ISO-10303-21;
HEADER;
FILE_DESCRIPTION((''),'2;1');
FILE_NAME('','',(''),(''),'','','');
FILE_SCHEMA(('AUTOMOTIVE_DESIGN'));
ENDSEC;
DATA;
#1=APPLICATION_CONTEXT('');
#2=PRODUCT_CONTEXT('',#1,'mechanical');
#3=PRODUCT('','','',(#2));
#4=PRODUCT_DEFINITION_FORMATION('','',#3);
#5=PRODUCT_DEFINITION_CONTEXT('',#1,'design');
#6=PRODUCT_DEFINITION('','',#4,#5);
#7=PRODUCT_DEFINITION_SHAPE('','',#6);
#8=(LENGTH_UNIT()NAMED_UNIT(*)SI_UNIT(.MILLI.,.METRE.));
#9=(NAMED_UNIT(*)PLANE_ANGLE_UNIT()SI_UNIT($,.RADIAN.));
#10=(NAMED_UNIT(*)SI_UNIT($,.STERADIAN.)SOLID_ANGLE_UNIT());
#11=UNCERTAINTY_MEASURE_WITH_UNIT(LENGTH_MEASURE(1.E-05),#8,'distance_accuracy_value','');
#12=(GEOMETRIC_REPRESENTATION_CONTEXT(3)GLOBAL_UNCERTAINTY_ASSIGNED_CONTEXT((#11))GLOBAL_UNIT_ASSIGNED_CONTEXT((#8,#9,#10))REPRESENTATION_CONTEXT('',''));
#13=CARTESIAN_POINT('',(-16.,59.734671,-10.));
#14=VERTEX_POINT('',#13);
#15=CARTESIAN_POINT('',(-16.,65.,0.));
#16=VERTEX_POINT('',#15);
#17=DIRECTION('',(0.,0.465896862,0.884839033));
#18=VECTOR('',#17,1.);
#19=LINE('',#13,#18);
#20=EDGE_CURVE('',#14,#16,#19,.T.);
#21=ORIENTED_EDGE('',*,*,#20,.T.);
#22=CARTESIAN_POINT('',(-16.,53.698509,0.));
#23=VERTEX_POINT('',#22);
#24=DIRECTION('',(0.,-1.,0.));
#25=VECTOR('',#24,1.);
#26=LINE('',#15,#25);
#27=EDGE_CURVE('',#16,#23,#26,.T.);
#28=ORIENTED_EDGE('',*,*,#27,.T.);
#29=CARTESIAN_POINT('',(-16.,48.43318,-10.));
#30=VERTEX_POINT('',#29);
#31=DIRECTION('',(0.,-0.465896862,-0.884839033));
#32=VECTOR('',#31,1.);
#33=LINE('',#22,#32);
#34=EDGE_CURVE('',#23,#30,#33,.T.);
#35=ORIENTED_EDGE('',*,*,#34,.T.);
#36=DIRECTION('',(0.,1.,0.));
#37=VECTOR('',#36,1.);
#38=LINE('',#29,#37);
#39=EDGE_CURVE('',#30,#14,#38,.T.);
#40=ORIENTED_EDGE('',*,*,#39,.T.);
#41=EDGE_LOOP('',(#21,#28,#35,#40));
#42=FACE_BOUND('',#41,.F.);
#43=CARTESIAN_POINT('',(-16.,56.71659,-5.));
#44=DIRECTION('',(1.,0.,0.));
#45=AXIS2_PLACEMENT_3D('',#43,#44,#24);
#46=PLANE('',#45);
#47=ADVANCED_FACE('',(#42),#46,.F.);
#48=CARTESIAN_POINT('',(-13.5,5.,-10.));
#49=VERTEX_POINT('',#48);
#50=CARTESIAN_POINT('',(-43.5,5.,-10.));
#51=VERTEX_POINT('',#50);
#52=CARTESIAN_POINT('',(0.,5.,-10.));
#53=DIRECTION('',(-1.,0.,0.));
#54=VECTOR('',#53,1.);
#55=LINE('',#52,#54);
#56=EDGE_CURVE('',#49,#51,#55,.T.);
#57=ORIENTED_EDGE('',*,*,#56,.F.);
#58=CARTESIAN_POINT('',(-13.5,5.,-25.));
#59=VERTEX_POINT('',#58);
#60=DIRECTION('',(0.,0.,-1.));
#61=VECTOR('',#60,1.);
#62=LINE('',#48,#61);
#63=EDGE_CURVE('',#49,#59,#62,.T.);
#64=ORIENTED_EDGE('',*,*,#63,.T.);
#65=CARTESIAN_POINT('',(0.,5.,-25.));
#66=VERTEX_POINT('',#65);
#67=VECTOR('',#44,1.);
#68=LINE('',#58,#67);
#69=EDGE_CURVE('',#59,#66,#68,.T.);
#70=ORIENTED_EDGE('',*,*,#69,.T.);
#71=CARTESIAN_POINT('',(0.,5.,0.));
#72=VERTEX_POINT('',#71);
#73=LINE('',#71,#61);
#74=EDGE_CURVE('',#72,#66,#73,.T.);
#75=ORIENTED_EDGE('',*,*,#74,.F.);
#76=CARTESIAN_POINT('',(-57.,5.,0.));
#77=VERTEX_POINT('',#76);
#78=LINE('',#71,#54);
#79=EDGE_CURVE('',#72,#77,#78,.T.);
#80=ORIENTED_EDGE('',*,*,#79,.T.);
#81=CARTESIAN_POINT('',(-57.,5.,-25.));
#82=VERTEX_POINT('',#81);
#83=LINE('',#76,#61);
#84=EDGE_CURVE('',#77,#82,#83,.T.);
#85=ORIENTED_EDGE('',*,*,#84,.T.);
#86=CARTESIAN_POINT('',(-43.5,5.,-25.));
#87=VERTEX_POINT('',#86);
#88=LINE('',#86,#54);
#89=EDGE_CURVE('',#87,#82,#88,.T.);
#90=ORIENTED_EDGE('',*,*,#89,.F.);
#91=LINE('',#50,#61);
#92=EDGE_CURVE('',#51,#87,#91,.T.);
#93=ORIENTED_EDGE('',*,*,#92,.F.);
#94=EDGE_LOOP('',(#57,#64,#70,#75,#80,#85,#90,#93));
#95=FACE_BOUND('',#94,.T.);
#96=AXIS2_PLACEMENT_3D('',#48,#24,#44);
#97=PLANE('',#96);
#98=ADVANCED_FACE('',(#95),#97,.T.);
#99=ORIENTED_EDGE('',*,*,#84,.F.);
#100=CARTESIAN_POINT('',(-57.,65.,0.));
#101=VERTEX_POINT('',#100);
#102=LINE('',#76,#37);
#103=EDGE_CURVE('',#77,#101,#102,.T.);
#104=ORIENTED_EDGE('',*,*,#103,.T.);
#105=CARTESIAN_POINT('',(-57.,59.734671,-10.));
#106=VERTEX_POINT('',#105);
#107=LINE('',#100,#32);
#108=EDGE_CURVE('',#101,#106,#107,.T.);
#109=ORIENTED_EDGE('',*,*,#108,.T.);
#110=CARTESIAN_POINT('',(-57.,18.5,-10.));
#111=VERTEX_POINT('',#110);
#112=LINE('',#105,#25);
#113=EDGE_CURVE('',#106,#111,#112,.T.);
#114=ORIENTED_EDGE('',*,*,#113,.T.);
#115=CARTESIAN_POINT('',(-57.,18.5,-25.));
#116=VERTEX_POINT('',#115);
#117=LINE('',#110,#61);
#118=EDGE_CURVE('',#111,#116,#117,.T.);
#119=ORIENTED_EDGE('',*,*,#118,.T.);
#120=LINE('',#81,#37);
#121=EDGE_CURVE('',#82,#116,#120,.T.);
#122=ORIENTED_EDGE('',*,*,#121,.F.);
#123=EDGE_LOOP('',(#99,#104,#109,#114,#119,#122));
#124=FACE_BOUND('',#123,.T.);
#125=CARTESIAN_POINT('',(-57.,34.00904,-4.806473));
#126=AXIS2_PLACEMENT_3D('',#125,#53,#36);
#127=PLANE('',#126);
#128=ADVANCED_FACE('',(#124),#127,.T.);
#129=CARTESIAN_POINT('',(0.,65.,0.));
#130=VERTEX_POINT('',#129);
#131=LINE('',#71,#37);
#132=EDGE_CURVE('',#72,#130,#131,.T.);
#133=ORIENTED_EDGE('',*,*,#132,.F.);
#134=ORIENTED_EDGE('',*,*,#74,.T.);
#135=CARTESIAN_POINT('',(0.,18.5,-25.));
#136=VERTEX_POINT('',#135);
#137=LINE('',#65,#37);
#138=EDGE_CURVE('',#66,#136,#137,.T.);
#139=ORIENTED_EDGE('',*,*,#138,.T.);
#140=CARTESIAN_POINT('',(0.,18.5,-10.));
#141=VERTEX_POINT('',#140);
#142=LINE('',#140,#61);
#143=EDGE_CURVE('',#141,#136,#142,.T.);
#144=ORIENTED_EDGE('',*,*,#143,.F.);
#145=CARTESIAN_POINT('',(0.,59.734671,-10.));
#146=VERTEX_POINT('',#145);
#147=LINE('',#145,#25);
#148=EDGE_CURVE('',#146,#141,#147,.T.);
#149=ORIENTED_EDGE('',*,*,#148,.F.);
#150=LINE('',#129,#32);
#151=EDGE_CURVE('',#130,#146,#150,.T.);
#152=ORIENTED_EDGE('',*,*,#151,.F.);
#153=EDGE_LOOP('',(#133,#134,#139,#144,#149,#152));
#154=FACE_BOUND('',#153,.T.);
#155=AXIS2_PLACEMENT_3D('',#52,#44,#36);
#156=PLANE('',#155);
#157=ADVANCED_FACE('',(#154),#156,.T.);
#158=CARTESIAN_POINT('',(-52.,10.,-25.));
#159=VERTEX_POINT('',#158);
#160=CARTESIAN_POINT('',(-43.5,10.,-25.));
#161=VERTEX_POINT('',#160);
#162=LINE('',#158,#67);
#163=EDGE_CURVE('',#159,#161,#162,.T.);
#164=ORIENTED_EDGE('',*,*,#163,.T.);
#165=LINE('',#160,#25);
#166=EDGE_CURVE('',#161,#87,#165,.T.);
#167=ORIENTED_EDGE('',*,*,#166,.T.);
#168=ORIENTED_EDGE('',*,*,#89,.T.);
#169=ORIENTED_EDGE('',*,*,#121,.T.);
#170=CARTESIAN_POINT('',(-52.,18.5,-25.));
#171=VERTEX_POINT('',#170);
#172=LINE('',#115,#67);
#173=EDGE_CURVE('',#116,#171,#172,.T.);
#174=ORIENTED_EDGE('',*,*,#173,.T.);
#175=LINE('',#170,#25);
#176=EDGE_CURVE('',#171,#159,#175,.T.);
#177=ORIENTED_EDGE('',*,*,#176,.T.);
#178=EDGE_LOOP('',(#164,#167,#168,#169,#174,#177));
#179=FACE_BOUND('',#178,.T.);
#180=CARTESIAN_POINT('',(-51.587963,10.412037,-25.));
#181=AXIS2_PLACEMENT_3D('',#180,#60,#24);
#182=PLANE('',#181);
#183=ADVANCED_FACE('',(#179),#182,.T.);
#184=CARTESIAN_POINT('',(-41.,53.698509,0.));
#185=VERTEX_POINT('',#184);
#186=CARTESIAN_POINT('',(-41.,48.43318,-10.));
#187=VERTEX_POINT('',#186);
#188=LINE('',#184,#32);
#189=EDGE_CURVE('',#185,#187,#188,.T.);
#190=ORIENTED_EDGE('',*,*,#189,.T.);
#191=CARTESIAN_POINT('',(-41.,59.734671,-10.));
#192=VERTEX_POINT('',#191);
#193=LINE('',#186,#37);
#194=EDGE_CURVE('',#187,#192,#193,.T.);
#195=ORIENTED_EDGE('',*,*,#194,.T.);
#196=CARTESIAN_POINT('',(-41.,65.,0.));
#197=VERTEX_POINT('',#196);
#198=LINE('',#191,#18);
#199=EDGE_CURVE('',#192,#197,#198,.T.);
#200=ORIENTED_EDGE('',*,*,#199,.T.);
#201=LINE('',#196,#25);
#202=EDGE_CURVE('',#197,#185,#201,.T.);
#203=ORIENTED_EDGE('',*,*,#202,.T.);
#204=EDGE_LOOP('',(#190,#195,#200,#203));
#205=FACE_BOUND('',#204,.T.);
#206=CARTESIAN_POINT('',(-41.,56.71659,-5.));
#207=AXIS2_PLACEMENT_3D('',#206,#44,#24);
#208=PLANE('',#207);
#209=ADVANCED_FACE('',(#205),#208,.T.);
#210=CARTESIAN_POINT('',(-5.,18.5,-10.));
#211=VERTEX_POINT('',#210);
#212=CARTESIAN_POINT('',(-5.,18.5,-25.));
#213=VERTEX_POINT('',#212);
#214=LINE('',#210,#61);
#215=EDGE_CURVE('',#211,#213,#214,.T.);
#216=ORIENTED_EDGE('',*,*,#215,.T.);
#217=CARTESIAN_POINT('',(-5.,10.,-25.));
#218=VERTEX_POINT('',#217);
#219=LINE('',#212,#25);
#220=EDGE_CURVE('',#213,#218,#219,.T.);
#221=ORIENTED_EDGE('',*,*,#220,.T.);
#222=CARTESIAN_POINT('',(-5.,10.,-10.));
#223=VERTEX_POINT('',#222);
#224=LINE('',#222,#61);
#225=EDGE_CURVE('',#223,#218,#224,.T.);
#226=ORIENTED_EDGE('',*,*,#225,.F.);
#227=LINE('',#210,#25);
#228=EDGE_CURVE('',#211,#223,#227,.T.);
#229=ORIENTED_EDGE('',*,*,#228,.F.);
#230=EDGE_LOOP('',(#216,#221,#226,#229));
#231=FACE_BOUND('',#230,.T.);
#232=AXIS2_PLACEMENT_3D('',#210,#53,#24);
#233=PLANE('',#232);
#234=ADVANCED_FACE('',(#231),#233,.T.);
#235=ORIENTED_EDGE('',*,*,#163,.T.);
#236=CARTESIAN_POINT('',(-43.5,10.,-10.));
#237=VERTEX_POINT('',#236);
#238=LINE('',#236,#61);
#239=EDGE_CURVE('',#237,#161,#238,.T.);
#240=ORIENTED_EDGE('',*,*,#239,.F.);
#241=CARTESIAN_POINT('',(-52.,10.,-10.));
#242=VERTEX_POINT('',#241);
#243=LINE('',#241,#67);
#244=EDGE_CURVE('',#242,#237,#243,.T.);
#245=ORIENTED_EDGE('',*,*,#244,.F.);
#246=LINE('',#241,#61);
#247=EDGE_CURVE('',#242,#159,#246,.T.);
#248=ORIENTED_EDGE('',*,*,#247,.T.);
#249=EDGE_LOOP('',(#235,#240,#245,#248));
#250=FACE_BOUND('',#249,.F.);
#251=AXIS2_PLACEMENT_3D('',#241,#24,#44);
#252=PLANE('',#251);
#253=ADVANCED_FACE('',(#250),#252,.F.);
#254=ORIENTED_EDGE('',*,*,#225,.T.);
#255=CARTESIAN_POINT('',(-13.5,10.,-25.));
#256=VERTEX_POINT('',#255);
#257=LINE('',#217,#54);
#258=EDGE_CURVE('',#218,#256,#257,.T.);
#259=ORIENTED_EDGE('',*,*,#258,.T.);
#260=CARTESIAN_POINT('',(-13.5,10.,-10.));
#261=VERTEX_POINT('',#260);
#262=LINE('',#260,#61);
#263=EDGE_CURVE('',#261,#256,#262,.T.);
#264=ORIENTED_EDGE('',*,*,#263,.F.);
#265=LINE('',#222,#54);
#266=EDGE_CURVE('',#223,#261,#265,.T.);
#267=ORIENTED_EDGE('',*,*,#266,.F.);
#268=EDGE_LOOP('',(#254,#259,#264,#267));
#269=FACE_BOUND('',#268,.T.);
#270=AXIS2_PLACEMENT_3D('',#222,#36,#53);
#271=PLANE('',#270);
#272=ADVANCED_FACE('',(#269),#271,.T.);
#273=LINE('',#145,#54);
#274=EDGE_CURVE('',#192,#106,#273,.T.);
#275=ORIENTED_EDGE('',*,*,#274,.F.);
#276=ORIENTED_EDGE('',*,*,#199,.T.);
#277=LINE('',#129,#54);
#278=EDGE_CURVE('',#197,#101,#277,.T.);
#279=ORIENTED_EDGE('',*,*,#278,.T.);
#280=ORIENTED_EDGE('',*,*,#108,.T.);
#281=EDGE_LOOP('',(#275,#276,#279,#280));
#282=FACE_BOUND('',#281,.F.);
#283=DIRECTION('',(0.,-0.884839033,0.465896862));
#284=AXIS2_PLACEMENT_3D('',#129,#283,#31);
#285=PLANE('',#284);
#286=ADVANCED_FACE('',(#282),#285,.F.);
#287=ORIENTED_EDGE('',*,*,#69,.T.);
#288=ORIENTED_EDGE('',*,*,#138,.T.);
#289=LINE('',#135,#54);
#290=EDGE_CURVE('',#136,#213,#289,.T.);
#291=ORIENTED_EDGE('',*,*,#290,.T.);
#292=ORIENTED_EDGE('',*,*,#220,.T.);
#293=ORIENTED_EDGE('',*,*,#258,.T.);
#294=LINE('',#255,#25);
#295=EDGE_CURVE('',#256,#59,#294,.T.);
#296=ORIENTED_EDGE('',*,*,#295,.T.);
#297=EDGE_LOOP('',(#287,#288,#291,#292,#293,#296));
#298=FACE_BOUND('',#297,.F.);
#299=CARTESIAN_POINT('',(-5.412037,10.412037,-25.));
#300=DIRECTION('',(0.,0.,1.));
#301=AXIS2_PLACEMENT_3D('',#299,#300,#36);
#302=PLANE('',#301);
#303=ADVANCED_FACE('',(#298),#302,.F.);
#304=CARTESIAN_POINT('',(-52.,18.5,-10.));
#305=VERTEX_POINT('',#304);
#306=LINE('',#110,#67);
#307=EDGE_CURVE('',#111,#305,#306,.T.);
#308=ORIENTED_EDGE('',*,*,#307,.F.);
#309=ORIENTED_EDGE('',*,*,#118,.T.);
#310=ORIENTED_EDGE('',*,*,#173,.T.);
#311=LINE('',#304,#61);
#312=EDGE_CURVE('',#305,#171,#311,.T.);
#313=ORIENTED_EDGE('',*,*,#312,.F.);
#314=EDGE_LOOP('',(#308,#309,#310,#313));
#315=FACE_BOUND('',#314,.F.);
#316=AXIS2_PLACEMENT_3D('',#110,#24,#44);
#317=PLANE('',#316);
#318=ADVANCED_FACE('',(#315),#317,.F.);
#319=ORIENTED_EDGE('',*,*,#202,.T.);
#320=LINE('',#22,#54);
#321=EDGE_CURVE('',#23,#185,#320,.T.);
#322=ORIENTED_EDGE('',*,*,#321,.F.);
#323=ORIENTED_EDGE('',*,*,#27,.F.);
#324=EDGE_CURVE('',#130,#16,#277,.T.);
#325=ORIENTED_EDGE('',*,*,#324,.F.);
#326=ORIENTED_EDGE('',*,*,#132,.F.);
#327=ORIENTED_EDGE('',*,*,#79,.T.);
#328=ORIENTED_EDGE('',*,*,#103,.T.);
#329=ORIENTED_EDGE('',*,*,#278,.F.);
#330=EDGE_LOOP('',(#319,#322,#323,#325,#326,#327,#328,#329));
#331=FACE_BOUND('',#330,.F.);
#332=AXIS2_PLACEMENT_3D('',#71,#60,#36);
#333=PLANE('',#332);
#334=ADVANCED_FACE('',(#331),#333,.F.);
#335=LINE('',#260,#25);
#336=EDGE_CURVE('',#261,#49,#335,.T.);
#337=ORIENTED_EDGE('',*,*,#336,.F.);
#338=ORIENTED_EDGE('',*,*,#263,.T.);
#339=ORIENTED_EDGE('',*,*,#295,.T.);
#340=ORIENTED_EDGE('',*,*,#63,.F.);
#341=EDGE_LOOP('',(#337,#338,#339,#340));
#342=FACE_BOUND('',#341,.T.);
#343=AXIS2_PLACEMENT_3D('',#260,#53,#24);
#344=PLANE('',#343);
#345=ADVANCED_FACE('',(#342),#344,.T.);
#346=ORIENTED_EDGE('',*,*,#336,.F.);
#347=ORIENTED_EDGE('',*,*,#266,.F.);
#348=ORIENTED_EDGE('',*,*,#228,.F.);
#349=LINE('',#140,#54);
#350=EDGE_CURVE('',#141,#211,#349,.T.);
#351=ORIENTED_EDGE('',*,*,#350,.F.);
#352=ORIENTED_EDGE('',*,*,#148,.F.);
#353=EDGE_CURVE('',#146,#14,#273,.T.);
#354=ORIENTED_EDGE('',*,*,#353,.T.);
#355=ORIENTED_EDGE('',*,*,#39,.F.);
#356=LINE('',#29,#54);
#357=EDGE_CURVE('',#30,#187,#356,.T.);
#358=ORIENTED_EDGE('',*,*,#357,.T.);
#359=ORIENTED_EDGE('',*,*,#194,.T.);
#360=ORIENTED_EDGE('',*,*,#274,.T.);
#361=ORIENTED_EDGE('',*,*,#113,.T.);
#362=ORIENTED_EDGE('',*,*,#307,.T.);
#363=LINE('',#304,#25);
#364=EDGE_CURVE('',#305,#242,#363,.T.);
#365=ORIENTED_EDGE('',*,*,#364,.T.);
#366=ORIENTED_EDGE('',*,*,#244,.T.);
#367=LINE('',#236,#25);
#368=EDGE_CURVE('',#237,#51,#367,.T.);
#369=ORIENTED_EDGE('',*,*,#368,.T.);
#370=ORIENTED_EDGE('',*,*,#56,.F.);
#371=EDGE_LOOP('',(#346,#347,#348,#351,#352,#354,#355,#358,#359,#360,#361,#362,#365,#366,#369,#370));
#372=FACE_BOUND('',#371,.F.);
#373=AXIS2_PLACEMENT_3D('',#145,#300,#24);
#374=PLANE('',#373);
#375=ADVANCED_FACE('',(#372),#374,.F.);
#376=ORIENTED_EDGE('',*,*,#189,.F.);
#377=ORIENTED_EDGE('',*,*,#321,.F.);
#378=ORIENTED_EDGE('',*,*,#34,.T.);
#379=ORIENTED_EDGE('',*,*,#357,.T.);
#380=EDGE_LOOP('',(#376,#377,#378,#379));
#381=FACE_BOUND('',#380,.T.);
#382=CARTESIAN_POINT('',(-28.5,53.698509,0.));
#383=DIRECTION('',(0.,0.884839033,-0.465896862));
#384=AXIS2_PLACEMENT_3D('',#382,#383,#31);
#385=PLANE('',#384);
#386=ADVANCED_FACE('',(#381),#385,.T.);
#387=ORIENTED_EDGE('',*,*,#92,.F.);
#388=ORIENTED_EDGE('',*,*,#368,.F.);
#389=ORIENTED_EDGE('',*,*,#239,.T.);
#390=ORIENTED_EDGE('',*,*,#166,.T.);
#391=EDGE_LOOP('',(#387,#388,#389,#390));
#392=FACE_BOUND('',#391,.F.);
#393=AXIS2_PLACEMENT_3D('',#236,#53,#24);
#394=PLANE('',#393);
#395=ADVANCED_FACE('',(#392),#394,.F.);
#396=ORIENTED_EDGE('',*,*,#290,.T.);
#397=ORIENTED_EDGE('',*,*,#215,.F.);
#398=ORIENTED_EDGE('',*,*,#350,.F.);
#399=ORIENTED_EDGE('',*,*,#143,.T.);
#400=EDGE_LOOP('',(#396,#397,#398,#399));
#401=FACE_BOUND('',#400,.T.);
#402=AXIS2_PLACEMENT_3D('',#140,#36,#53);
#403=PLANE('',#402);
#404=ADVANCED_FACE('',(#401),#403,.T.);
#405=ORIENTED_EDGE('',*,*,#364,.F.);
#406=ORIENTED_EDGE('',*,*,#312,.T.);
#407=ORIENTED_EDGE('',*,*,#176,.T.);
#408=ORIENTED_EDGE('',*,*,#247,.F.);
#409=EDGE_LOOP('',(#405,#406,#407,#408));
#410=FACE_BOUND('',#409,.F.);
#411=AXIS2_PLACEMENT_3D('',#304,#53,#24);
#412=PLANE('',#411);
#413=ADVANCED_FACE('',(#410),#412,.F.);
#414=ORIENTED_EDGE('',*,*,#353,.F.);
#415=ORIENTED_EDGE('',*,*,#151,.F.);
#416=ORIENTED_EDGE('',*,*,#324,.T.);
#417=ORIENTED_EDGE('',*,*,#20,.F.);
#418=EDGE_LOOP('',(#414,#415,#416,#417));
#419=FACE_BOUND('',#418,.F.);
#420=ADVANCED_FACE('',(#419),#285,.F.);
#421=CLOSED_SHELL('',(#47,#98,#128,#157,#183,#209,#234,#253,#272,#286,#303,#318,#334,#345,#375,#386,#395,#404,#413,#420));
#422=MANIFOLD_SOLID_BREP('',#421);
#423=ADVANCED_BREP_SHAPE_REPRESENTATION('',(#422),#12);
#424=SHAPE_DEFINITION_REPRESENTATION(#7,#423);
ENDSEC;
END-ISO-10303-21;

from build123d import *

# Parameters (mm, degrees)
PAD043_DEPTH        = 12.5
PAD044_DEPTH        = 57
PAD046_DEPTH        = 15
CUT_PLACEMENT_ANGLE = 180


with BuildPart() as body024:
    # Sketch100 → Pad043 (new body, symmetric)
    with BuildSketch(Plane.YZ):
        Polygon((43.43318, 10), (54.734671, 10), (60, 0), (48.698509, 0), align=None)
    extrude(amount=PAD043_DEPTH, both=True)


with BuildPart() as body024_1:
    # Body024 placement: moved
    add(body024.part.moved(Location((28.5, 0, 0))))


with BuildPart() as cut:
    # Sketch099 → Pad044 (new body)
    with BuildSketch(Plane.YZ):
        Polygon((0, 0), (60, 0), (54.734671, 10), (0, 10), align=None)
    extrude(amount=PAD044_DEPTH)

    # Sketch103 (on Face1 of Pad044) → Pad046 (join)
    with BuildSketch(Plane(origin=(0, 0, 10), x_dir=(0, -1, 0), z_dir=(0, 0, 1))):
        Polygon((0, 0), (-13.5, 0), (-13.5, 5), (-5, 5), (-5, 13.5), (0, 13.5), align=None)
        Polygon((0, 57), (-13.5, 57), (-13.5, 52), (-5, 52), (-5, 43.5), (0, 43.5), align=None)
    extrude(amount=PAD046_DEPTH)

    # Cut: cut Body024
    add(body024_1.part, mode=Mode.SUBTRACT)


with BuildPart() as cut_1:
    # Cut placement: moved
    add(cut.part.moved(Location((0, 5, 0))).rotate(Axis((0, 5, 0), (0, 1, 0)), CUT_PLACEMENT_ANGLE))


solid = cut_1.part
